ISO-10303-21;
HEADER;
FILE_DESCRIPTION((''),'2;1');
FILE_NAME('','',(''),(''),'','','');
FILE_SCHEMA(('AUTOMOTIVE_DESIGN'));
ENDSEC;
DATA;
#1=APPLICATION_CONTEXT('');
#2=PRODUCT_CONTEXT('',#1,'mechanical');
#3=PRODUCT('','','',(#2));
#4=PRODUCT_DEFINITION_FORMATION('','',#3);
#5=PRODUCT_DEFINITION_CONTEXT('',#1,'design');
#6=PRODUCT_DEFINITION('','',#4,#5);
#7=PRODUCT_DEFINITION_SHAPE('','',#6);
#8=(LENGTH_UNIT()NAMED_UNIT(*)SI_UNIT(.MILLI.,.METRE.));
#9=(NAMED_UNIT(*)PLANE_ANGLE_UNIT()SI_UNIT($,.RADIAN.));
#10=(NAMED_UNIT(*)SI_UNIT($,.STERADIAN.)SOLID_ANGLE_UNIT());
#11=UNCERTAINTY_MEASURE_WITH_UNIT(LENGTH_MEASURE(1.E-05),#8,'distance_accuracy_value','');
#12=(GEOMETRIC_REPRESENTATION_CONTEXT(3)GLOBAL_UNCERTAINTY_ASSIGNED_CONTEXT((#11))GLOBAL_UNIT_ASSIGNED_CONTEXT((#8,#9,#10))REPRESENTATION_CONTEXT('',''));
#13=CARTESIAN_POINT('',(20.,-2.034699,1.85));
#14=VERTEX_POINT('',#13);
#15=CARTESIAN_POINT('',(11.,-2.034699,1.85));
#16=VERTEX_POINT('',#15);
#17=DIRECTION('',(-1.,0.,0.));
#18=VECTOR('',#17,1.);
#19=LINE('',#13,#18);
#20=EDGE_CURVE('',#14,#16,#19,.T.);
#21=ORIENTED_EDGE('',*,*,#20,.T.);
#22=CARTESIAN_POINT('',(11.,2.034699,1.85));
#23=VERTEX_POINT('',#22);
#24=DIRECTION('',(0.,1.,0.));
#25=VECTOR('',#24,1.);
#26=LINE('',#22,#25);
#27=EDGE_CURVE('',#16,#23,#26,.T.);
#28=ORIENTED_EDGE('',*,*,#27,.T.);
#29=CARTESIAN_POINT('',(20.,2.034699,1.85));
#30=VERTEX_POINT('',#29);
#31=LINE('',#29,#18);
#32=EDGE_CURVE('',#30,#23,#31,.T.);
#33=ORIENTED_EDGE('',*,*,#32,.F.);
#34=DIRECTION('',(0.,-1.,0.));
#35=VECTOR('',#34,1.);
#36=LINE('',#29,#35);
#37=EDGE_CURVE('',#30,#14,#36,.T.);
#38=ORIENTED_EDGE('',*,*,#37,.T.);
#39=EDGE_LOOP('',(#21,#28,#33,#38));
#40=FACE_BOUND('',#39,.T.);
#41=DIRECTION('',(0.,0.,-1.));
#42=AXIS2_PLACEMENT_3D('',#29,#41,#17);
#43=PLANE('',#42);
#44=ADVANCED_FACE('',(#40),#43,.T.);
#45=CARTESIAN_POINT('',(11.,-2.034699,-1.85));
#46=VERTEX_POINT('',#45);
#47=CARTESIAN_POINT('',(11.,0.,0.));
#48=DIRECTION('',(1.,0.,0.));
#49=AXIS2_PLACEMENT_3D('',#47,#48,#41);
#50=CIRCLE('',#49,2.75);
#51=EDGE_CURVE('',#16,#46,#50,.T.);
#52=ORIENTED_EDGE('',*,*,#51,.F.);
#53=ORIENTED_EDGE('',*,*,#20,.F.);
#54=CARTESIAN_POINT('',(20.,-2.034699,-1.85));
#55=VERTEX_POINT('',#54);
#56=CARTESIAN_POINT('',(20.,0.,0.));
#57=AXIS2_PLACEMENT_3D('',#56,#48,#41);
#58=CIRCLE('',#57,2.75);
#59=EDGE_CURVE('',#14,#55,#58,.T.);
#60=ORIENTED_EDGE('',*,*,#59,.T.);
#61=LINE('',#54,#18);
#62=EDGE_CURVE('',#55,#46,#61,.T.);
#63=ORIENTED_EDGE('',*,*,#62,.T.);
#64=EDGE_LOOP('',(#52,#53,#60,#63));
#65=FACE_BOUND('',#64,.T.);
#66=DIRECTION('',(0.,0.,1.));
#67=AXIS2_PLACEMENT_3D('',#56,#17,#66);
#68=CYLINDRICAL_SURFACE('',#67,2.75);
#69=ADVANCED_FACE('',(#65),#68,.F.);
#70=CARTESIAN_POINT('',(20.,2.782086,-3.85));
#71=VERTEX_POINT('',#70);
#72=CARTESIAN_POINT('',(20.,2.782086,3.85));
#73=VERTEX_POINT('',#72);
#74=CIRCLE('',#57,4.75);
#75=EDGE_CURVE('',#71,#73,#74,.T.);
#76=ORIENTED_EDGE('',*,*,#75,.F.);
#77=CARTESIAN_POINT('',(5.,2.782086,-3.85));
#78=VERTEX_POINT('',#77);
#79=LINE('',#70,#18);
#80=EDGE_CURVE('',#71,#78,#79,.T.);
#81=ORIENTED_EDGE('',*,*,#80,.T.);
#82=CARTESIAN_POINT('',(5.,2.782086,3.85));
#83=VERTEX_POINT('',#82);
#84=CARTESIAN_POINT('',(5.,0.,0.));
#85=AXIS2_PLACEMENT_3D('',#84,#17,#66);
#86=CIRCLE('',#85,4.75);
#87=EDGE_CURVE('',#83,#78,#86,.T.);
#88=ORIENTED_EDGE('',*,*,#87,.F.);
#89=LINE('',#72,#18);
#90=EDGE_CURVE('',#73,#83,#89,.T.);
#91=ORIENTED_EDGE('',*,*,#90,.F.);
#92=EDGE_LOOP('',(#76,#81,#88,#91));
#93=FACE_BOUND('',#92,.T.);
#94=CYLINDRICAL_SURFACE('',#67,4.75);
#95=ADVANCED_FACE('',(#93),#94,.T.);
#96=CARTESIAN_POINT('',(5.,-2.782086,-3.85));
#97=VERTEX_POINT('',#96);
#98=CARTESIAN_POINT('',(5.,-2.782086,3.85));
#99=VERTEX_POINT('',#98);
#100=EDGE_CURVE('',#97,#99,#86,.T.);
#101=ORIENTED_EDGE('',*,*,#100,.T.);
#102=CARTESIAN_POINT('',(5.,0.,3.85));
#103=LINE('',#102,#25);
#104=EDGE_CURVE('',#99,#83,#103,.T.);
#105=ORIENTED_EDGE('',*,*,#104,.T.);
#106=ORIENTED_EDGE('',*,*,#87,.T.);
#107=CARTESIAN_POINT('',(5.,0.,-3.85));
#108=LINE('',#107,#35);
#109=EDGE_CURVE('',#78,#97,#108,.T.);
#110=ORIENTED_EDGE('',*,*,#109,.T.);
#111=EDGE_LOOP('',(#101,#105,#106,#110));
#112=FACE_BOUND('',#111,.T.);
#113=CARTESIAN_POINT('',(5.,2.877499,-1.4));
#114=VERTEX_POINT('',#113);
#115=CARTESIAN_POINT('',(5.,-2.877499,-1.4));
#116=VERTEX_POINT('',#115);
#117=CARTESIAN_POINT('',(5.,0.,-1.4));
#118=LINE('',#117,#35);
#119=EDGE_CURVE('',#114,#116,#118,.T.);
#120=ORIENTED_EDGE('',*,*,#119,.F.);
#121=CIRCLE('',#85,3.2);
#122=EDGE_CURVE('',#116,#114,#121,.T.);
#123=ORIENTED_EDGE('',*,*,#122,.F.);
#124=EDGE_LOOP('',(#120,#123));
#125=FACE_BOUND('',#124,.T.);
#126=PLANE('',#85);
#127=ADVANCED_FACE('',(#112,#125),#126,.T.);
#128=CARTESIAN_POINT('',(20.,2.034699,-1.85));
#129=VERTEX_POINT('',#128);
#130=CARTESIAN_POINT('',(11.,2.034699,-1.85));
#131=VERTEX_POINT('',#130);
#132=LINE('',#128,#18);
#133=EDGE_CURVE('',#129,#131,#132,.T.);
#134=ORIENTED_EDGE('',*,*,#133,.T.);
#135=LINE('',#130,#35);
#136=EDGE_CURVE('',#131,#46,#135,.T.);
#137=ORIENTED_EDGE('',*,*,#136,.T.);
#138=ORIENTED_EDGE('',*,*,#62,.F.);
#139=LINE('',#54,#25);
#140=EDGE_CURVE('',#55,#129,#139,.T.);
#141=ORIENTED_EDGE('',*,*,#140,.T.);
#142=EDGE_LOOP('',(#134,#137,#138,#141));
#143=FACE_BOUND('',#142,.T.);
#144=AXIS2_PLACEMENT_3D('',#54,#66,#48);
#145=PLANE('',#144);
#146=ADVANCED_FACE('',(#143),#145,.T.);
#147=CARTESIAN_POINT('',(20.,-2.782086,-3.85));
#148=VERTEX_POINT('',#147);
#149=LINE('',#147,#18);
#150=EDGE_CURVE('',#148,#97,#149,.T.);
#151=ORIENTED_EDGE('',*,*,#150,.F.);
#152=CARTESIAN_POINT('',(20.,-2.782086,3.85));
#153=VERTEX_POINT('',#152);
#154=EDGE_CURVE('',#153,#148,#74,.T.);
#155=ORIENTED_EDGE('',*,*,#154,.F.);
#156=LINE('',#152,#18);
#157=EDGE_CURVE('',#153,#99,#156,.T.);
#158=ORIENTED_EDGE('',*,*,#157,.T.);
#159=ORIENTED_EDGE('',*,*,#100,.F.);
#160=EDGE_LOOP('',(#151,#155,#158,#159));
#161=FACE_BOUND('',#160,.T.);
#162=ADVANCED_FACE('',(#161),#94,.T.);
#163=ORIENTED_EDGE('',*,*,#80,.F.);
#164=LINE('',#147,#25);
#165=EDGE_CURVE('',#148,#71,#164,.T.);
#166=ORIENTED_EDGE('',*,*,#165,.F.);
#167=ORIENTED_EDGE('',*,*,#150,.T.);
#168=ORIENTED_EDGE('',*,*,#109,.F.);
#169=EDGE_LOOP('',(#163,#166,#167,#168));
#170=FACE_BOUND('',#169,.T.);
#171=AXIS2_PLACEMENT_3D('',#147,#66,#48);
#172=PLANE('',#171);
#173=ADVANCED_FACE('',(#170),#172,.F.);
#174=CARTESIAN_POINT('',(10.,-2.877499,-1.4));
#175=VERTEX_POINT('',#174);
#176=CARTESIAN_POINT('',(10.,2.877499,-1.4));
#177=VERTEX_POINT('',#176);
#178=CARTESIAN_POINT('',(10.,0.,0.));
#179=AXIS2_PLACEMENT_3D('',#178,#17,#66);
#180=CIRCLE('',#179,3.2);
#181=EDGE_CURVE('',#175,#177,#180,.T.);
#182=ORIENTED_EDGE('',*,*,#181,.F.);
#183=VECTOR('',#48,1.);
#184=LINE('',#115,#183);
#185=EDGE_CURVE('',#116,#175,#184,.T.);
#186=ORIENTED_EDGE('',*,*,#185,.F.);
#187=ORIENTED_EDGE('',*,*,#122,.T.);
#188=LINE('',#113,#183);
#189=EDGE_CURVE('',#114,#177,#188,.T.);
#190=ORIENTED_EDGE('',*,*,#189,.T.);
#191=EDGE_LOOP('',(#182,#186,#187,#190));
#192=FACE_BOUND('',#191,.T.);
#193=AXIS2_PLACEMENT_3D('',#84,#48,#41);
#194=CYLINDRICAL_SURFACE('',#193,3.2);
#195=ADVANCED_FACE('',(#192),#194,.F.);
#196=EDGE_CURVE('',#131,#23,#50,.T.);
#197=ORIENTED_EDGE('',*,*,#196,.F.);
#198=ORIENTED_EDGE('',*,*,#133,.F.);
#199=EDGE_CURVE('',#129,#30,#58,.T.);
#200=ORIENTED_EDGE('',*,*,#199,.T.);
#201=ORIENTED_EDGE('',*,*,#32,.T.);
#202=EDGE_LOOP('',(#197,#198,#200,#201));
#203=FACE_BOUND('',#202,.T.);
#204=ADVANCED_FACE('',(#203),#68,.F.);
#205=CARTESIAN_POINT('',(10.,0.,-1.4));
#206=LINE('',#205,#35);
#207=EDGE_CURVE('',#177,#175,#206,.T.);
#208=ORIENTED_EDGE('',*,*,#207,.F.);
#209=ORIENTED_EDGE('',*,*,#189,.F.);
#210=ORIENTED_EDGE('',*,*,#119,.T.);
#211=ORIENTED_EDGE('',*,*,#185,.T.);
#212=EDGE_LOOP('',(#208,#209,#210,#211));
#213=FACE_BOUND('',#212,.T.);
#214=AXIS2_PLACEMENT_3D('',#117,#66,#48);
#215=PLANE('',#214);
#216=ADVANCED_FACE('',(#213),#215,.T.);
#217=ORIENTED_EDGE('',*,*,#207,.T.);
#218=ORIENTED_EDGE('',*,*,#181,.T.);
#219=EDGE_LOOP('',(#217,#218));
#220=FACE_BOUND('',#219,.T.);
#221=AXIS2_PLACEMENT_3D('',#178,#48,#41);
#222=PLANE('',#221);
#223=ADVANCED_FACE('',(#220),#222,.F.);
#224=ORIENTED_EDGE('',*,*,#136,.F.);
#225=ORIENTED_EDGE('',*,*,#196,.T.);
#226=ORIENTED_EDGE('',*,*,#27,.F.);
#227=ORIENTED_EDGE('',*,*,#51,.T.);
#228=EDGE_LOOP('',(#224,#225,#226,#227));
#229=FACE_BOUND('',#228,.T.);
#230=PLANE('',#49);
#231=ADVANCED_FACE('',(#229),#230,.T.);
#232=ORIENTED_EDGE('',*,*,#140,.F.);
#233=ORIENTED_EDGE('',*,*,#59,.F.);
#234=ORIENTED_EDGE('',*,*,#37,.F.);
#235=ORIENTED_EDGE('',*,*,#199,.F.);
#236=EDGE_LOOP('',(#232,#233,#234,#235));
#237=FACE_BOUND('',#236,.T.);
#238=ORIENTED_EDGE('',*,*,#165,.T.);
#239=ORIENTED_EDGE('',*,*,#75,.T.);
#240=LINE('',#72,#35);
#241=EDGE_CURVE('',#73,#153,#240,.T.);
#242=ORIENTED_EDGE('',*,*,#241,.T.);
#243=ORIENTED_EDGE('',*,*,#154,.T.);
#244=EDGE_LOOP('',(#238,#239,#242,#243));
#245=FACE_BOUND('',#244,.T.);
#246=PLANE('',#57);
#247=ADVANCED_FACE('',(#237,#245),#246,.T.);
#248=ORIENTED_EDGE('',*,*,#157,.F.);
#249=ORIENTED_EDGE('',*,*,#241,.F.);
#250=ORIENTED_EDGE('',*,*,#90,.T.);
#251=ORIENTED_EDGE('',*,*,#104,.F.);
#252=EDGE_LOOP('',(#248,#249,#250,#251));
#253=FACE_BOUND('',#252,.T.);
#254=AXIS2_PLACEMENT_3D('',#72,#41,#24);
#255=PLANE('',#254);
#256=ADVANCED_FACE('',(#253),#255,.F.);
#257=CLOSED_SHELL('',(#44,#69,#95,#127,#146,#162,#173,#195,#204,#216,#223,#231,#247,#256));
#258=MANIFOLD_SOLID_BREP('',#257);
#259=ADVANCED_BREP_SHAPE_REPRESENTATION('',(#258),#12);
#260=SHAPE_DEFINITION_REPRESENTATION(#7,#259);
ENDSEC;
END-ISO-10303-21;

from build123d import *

# Parameters (mm, degrees)
SKETCH1_R           = 2.75
BOSS_EXTRUDE1_DEPTH = 11
CUT_EXTRUDE1_DEPTH  = 23.341105613
BOSS_EXTRUDE2_START = 9
BOSS_EXTRUDE2_DEPTH = 10
CUT_EXTRUDE2_START  = -13
CUT_EXTRUDE2_DEPTH  = 21
BOSS_EXTRUDE3_DEPTH = 5


with BuildPart() as part:
    # Sketch1 → Boss-Extrude1 (new, symmetric)
    with BuildSketch(Plane(origin=(0, 0, 0), x_dir=(0, 0, -1), z_dir=(1, 0, 0))):
        Circle(SKETCH1_R)
    extrude(amount=BOSS_EXTRUDE1_DEPTH, both=True)

    # Sketch2 → Cut-Extrude1 (cut, through all)
    with BuildSketch(Plane(origin=(11, 0, 0), x_dir=(0, 0, -1), z_dir=(1, 0, 0))):
        with BuildLine():
            Line((-1.85, 2.034698995), (-1.85, -2.034698995))
            ThreePointArc((-1.85, -2.034698995), (-2.75, 0), (-1.85, 2.034698995))
        make_face()
        with BuildLine():
            Line((1.85, 2.034698995), (1.85, -2.034698995))
            ThreePointArc((1.85, -2.034698995), (2.75, 0), (1.85, 2.034698995))
        make_face()
    extrude(amount=-CUT_EXTRUDE1_DEPTH, mode=Mode.SUBTRACT)

    # Sketch3 → Boss-Extrude2 (add)
    with BuildSketch(Plane(origin=(11, 0, 0), x_dir=(0, 0, -1), z_dir=(1, 0, 0)).offset(BOSS_EXTRUDE2_START)):
        with BuildLine():
            Line((-3.85, 2.782085549), (-3.85, -2.782085549))
            ThreePointArc((-3.85, -2.782085549), (0, -4.75), (3.85, -2.782085549))
            Line((3.85, -2.782085549), (3.85, 2.782085549))
            ThreePointArc((3.85, 2.782085549), (0, 4.75), (-3.85, 2.782085549))
        make_face()
        with BuildLine():
            Line((-1.85, 2.034698995), (-1.85, -2.034698995))
            ThreePointArc((-1.85, -2.034698995), (0, -2.75), (1.85, -2.034698995))
            Line((1.85, -2.034698995), (1.85, 2.034698995))
            ThreePointArc((1.85, 2.034698995), (0, 2.75), (-1.85, 2.034698995))
        make_face(mode=Mode.SUBTRACT)
    extrude(amount=-BOSS_EXTRUDE2_DEPTH)

    # Sketch5 → Cut-Extrude2 (cut)
    with BuildSketch(Plane.ZY.offset(3).offset(CUT_EXTRUDE2_START)):
        with BuildLine():
            Line((1.85, -2.034698995), (1.85, 2.034698995))
            ThreePointArc((1.85, 2.034698995), (0, 2.75), (-1.85, 2.034698995))
            Line((-1.85, 2.034698995), (-1.85, -2.034698995))
            ThreePointArc((-1.85, -2.034698995), (0, -2.75), (1.85, -2.034698995))
        make_face()
    extrude(amount=CUT_EXTRUDE2_DEPTH, mode=Mode.SUBTRACT)

    # Sketch6 → Boss-Extrude3 (add)
    with BuildSketch(Plane.ZY.offset(-10)):
        with BuildLine():
            ThreePointArc((3.85, 2.782085549), (0, 4.75), (-3.85, 2.782085549))
            Line((-3.85, 2.782085549), (-3.85, -2.782085549))
            ThreePointArc((-3.85, -2.782085549), (0, -4.75), (3.85, -2.782085549))
            Line((3.85, -2.782085549), (3.85, 2.782085549))
        make_face()
        with BuildLine():
            Line((-1.4, -2.877498914), (-1.4, 2.877498914))
            ThreePointArc((-1.4, 2.877498914), (3.2, 0), (-1.4, -2.877498914))
        make_face(mode=Mode.SUBTRACT)
    extrude(amount=BOSS_EXTRUDE3_DEPTH)


solid = part.part
